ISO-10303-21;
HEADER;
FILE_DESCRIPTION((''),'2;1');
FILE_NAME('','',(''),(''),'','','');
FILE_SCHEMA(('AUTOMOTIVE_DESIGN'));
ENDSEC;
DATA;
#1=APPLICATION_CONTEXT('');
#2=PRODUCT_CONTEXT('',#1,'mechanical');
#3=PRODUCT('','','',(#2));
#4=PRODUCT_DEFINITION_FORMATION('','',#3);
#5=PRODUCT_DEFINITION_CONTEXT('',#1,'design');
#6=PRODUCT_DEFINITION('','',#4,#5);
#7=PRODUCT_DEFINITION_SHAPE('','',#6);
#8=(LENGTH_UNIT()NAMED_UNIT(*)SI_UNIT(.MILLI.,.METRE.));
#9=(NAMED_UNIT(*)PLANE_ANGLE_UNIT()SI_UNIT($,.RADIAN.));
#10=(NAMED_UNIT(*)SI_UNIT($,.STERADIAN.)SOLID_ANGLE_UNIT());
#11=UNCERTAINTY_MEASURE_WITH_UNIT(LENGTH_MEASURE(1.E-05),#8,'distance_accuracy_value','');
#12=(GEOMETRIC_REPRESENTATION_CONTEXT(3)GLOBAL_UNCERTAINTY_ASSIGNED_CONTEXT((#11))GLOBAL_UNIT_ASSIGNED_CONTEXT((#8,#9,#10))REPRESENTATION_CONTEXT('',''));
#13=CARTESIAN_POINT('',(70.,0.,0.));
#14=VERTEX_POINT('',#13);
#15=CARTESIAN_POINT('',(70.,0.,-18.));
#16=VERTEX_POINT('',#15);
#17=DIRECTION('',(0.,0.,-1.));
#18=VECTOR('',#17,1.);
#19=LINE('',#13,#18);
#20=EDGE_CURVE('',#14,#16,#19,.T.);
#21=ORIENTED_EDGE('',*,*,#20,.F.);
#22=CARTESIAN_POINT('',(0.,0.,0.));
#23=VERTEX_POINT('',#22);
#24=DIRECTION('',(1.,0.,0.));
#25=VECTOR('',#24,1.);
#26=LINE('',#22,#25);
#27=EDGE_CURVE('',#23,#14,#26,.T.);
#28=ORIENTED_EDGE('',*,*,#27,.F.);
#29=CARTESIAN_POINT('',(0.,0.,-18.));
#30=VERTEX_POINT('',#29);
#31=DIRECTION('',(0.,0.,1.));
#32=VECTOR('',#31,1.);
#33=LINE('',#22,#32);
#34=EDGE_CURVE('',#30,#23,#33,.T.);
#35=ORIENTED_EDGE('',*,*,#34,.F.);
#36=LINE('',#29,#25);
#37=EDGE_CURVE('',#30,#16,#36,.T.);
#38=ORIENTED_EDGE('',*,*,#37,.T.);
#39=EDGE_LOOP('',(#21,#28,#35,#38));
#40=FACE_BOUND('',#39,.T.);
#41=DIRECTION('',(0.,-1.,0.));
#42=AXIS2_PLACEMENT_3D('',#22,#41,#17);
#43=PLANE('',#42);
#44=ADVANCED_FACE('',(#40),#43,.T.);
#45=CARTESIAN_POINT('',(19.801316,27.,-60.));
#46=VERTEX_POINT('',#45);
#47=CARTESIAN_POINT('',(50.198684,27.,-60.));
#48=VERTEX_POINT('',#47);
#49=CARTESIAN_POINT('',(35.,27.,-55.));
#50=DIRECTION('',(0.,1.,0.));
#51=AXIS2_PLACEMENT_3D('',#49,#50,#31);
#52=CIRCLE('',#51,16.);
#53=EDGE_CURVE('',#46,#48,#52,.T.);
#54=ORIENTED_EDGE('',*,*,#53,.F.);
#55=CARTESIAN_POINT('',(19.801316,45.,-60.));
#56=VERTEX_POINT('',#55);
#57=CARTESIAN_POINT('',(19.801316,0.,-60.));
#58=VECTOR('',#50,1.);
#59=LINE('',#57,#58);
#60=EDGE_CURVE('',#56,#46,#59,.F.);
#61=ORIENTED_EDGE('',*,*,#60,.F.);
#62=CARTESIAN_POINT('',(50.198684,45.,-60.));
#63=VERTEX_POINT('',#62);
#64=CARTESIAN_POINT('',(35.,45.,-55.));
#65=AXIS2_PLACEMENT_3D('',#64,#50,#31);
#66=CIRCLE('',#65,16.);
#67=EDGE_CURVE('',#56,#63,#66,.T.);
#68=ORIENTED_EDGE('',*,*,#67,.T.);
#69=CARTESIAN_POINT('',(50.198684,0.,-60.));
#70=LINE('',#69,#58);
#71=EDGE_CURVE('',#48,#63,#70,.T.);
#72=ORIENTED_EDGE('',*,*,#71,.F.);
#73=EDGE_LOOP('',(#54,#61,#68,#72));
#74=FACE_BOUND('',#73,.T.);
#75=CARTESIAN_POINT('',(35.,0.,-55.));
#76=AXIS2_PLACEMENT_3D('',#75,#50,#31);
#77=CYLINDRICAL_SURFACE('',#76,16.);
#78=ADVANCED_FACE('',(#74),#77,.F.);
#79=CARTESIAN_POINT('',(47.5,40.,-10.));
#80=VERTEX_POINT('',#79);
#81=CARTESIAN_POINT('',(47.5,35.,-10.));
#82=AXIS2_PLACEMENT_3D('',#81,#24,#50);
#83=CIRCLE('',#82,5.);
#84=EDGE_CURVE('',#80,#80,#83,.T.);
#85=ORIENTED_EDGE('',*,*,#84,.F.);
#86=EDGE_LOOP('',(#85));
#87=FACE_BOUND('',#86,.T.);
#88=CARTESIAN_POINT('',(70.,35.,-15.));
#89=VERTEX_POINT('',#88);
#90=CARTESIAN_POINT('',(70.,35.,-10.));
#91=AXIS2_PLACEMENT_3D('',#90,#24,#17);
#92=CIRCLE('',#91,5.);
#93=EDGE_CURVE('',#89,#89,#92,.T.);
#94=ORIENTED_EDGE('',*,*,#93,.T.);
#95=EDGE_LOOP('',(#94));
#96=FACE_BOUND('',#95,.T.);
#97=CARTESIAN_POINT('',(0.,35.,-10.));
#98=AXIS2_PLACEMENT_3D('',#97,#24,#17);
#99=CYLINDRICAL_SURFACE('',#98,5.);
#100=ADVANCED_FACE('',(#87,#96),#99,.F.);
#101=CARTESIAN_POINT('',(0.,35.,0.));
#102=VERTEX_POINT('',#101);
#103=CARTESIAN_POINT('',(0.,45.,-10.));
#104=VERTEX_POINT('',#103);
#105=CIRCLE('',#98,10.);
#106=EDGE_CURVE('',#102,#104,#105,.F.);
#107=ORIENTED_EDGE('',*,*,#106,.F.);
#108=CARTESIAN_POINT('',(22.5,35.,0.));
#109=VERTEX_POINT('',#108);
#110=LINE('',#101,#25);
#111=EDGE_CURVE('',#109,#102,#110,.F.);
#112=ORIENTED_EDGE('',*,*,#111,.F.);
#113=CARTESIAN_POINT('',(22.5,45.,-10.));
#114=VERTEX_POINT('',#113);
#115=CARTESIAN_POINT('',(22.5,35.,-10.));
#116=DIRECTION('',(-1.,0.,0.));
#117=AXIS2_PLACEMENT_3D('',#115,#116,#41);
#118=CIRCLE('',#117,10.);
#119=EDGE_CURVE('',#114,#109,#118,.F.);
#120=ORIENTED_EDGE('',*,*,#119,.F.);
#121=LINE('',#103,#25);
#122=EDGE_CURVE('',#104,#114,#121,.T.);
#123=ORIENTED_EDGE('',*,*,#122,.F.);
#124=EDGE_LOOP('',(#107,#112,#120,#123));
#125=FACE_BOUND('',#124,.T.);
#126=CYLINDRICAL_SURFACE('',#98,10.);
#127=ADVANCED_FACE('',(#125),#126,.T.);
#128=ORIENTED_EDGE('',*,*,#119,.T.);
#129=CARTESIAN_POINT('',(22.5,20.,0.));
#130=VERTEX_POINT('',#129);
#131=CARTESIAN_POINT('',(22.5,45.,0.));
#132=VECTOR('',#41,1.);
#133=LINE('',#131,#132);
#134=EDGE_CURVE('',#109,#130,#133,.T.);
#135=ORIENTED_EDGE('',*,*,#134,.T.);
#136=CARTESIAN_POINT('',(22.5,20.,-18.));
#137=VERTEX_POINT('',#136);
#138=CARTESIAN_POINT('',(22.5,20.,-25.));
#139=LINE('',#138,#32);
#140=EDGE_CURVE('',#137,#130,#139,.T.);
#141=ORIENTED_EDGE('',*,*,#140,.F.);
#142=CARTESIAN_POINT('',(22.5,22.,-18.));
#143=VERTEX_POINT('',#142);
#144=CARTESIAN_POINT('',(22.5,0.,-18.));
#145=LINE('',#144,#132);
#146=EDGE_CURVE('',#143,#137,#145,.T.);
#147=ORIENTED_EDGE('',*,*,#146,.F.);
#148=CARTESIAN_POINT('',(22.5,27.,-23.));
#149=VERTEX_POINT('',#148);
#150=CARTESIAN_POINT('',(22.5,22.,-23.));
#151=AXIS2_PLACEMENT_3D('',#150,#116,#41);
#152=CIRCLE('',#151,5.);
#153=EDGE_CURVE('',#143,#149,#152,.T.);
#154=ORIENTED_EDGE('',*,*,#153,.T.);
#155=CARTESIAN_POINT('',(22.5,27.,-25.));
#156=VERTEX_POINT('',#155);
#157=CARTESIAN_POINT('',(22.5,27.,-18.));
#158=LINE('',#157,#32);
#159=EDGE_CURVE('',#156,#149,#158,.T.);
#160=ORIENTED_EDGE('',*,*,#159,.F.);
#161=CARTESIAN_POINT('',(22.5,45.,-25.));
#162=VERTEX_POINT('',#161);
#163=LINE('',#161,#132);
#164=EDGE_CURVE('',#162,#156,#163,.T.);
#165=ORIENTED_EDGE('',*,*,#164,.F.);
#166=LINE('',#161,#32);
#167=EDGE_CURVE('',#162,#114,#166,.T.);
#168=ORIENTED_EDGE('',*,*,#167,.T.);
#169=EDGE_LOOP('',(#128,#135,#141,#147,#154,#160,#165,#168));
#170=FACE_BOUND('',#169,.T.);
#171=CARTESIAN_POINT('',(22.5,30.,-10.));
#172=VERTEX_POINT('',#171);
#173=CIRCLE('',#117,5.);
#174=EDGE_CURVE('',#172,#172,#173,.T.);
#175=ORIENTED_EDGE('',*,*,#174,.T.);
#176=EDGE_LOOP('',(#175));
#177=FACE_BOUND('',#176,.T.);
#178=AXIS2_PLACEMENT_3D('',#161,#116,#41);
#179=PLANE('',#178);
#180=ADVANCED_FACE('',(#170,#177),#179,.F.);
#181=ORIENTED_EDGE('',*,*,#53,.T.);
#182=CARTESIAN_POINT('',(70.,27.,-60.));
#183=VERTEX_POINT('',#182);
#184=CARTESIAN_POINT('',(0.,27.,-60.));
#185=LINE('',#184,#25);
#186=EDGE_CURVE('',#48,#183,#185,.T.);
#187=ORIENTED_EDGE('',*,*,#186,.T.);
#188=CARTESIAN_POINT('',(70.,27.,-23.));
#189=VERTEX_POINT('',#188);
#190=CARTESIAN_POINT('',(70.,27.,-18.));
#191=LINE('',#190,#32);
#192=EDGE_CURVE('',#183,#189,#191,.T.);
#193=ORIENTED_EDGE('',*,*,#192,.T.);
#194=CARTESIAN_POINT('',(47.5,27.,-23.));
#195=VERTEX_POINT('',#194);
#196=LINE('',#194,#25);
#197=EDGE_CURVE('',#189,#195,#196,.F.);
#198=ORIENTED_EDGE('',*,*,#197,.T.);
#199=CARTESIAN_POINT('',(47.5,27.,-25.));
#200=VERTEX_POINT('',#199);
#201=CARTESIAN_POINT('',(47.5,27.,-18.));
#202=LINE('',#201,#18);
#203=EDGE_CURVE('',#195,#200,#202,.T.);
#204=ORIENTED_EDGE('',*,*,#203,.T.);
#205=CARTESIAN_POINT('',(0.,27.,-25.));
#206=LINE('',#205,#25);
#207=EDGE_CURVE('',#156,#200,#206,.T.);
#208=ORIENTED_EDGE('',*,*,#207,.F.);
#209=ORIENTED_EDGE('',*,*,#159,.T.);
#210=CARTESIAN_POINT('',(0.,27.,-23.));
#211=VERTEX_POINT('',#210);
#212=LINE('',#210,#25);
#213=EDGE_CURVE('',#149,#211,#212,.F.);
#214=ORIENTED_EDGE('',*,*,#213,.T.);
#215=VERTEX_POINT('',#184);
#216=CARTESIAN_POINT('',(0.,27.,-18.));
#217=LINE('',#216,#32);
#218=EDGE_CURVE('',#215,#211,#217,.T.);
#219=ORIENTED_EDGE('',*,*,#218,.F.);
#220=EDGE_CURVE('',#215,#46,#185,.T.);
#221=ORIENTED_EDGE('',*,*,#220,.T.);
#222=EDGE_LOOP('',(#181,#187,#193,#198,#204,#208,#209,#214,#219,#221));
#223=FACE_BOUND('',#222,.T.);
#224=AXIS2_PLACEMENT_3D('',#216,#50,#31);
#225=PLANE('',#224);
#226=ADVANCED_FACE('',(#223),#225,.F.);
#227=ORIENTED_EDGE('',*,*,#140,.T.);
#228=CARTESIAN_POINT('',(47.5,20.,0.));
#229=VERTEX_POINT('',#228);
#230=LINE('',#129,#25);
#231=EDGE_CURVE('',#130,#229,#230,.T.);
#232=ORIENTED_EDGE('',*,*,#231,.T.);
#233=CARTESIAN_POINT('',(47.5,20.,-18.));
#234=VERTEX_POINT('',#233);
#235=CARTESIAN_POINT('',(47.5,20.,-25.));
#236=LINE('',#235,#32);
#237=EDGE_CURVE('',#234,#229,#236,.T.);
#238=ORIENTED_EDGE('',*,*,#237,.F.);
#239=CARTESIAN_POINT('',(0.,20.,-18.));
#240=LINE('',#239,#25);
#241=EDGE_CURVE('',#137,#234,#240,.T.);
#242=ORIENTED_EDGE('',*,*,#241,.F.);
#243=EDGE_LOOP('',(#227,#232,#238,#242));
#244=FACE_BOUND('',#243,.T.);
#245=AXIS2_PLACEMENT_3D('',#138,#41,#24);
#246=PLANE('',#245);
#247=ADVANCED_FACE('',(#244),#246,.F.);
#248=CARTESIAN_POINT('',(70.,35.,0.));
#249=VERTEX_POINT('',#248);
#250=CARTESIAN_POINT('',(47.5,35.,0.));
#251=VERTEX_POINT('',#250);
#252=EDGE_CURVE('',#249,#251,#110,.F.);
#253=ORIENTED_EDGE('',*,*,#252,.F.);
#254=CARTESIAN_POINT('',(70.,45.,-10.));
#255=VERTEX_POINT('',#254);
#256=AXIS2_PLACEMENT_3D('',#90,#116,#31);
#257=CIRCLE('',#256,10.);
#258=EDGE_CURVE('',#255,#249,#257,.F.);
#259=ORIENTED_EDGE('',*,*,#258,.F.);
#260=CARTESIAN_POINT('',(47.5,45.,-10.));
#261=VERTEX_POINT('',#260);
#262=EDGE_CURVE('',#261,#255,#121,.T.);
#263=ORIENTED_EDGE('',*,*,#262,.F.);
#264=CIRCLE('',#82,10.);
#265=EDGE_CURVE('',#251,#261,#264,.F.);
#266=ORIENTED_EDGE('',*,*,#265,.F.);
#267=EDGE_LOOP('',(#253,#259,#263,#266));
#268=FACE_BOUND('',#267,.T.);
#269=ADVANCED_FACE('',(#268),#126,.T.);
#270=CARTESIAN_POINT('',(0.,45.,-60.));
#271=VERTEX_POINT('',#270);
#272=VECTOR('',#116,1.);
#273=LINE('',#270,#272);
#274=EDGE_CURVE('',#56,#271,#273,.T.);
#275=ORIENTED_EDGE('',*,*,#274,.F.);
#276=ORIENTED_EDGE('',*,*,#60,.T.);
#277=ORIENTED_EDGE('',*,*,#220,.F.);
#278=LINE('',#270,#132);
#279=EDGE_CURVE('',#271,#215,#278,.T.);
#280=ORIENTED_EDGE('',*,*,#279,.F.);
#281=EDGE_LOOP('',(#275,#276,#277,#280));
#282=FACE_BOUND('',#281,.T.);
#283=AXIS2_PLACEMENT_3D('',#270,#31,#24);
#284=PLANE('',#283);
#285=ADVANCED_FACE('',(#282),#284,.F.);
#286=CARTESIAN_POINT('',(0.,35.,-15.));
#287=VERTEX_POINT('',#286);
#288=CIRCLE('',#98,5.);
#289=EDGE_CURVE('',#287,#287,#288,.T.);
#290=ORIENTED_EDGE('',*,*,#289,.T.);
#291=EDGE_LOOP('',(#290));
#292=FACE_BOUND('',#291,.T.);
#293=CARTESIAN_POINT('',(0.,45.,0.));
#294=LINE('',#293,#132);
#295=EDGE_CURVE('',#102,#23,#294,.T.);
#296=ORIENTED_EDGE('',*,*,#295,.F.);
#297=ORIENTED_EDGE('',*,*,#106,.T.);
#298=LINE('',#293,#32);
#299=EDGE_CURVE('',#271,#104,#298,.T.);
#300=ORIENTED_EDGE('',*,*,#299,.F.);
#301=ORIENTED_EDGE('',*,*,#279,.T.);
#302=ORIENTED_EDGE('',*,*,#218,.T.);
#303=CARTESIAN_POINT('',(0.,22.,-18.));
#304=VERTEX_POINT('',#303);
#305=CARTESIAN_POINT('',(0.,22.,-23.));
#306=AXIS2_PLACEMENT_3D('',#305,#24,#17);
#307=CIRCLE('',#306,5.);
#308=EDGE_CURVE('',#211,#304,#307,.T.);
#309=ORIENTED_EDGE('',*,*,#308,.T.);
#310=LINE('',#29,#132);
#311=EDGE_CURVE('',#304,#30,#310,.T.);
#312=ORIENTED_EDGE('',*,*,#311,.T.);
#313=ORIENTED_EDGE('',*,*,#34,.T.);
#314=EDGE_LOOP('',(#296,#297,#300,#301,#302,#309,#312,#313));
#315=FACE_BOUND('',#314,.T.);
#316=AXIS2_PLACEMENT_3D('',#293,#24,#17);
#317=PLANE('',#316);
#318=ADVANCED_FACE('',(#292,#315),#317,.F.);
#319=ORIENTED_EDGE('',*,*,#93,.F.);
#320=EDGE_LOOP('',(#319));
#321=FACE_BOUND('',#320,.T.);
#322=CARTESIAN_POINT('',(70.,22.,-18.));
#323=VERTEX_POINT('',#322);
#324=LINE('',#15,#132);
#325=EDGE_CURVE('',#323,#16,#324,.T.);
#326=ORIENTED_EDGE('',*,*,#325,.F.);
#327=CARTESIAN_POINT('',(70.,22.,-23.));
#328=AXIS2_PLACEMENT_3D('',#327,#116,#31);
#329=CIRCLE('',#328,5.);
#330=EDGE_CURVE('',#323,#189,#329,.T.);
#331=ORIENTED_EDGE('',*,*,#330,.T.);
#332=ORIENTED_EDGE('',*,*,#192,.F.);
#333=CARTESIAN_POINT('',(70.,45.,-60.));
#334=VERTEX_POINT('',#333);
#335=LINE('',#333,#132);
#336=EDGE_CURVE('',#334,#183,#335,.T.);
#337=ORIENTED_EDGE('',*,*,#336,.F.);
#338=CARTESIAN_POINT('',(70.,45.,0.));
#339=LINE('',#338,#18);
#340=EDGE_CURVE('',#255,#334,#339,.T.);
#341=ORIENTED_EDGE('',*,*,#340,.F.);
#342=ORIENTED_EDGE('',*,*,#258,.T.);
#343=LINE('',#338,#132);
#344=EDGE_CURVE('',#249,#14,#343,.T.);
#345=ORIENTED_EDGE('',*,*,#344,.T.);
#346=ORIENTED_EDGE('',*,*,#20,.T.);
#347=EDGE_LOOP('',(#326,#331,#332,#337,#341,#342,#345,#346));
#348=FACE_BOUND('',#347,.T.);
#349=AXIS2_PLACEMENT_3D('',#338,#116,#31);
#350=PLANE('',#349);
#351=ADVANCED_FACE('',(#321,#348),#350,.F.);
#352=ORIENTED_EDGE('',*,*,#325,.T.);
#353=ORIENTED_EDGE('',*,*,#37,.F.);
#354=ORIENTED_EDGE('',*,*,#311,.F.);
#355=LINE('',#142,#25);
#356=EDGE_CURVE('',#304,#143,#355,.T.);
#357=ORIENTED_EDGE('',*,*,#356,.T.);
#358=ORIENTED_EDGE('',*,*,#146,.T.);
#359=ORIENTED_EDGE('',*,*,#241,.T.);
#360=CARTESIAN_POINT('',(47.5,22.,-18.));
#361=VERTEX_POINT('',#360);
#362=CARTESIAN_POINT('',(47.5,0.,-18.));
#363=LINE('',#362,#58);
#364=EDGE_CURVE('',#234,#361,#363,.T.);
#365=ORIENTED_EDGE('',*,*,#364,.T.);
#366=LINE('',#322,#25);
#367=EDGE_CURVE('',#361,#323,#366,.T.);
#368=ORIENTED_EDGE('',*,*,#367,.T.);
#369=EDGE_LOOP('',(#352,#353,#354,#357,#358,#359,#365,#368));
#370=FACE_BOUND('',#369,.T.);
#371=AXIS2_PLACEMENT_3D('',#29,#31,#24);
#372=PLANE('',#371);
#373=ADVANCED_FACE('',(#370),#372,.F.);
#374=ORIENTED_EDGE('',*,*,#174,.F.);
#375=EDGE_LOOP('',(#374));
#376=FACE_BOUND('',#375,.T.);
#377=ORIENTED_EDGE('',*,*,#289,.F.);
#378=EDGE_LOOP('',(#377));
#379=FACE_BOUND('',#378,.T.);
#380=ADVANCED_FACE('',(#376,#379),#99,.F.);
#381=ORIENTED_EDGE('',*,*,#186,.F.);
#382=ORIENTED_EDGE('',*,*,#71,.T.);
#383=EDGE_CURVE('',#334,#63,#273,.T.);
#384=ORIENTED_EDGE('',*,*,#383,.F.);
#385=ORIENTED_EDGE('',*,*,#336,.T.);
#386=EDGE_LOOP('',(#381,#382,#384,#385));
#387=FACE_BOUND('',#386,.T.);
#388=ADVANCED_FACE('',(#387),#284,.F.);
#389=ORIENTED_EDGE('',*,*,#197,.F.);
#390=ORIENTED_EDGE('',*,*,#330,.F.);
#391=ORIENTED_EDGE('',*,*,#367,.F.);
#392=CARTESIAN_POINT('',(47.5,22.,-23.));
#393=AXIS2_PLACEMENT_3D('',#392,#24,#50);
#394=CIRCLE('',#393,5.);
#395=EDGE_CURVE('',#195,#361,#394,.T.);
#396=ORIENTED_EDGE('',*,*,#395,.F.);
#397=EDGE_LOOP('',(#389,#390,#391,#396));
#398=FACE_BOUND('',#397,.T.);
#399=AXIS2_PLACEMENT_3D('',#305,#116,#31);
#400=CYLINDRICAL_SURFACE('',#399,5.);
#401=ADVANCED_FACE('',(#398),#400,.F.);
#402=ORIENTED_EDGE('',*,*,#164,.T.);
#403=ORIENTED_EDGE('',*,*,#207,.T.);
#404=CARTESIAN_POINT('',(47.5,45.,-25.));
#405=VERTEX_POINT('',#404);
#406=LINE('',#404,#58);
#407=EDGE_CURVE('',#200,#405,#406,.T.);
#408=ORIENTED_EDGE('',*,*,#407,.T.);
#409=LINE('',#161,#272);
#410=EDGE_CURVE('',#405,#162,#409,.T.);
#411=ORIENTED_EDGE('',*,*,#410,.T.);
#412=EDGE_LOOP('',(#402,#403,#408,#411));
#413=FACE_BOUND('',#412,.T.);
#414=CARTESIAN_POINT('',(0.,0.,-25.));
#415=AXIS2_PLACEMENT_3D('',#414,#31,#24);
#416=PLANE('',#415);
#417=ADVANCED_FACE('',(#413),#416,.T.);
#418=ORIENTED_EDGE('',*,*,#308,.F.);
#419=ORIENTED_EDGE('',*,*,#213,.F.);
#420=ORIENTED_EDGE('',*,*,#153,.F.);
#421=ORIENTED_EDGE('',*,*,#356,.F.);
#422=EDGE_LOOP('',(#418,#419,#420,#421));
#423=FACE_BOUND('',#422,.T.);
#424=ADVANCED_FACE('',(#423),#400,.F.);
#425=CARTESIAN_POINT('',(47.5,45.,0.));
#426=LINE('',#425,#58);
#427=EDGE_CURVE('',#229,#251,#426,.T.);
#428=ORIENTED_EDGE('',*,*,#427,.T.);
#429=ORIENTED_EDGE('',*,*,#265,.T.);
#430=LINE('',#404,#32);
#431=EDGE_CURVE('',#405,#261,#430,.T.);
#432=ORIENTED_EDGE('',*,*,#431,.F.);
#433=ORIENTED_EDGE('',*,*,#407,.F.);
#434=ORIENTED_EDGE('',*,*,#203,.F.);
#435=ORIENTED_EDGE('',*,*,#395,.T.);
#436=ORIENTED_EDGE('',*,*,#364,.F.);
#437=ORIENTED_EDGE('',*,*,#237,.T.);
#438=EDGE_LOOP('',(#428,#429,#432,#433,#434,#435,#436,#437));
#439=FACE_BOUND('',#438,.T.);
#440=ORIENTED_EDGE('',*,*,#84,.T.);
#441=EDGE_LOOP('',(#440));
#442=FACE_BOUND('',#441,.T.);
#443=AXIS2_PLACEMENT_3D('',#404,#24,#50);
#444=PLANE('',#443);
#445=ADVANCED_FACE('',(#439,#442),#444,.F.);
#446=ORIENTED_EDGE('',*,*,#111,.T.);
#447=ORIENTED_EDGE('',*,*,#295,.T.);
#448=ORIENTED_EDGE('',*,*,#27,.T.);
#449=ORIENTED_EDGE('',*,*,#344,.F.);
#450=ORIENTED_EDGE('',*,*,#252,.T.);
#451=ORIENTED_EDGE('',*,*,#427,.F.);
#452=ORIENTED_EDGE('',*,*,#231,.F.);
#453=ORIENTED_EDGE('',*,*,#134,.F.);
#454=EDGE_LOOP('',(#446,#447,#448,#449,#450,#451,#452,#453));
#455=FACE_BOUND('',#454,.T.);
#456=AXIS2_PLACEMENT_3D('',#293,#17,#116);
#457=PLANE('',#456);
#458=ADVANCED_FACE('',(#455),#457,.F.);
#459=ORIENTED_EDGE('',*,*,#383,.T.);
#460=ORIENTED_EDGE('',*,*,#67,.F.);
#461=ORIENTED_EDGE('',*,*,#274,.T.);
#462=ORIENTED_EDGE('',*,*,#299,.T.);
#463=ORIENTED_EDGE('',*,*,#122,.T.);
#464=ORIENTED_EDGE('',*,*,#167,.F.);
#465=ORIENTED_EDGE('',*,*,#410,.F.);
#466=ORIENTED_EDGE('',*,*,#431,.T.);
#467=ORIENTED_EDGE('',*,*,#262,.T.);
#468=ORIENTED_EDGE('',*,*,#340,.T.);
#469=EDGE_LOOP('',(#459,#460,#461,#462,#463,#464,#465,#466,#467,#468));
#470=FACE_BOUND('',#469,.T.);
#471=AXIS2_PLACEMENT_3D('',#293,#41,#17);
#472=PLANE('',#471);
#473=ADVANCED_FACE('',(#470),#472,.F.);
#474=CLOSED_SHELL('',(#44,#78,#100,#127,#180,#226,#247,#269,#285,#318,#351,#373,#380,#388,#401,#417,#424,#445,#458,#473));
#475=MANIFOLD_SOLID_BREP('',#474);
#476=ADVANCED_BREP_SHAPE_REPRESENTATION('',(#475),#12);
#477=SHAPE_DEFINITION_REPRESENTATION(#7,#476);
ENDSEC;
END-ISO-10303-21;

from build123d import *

# Parameters (mm, degrees)
SKETCH1_W           = 70
SKETCH1_H           = 60
BOSS_EXTRUDE1_DEPTH = 45
SKETCH2_W           = 42
SKETCH2_H           = 27
CUT_EXTRUDE1_DEPTH  = 103.591422643
SKETCH3_R           = 16
CUT_EXTRUDE2_DEPTH  = 45
SKETCH4_W           = 25
SKETCH4_H           = 25
CUT_EXTRUDE3_DEPTH  = 25
FILLET1_R           = 10
FILLET2_R           = 5
SKETCH9_R           = 5
CUT_EXTRUDE4_DEPTH  = 103.591422643


with BuildPart() as part:
    # Sketch1 → Boss-Extrude1 (new body)
    with BuildSketch(Plane(origin=(0, 0, 0), x_dir=(1, 0, 0), z_dir=(0, 1, 0))):
        with Locations((35, 30)):
            Rectangle(SKETCH1_W, SKETCH1_H)
    extrude(amount=BOSS_EXTRUDE1_DEPTH)

    # Sketch2 → Cut-Extrude1 (cut, through all)
    with BuildSketch(Plane(origin=(70, 0, 0), x_dir=(0, 0, -1), z_dir=(1, 0, 0))):
        with Locations((39, 13.5)):
            Rectangle(SKETCH2_W, SKETCH2_H)
    extrude(amount=-CUT_EXTRUDE1_DEPTH, mode=Mode.SUBTRACT)

    # Sketch3 → Cut-Extrude2 (cut)
    with BuildSketch(Plane(origin=(0, 45, 0), x_dir=(1, 0, 0), z_dir=(0, 1, 0))):
        with Locations((35, 55)):
            Circle(SKETCH3_R)
    extrude(amount=-CUT_EXTRUDE2_DEPTH, mode=Mode.SUBTRACT)

    # Sketch4 → Cut-Extrude3 (cut)
    with BuildSketch(Plane.XY):
        with Locations((35, 32.5)):
            Rectangle(SKETCH4_W, SKETCH4_H)
    extrude(amount=-CUT_EXTRUDE3_DEPTH, mode=Mode.SUBTRACT)

    # Fillet1
    fillet1_edges = [part.edges().sort_by_distance(p)[0] for p in [
        (58.75, 45, 0),
        (11.25, 45, 0),
    ]]
    fillet(fillet1_edges, radius=FILLET1_R)

    # Fillet2
    fillet2_edges = [part.edges().sort_by_distance(p)[0] for p in [
        (11.25, 27, -18),
        (58.75, 27, -18),
    ]]
    fillet(fillet2_edges, radius=FILLET2_R)

    # Sketch9 → Cut-Extrude4 (cut, through all)
    with BuildSketch(Plane(origin=(70, 0, 0), x_dir=(0, 0, -1), z_dir=(1, 0, 0))):
        with Locations((10, 35)):
            Circle(SKETCH9_R)
    extrude(amount=-CUT_EXTRUDE4_DEPTH, mode=Mode.SUBTRACT)


solid = part.part
